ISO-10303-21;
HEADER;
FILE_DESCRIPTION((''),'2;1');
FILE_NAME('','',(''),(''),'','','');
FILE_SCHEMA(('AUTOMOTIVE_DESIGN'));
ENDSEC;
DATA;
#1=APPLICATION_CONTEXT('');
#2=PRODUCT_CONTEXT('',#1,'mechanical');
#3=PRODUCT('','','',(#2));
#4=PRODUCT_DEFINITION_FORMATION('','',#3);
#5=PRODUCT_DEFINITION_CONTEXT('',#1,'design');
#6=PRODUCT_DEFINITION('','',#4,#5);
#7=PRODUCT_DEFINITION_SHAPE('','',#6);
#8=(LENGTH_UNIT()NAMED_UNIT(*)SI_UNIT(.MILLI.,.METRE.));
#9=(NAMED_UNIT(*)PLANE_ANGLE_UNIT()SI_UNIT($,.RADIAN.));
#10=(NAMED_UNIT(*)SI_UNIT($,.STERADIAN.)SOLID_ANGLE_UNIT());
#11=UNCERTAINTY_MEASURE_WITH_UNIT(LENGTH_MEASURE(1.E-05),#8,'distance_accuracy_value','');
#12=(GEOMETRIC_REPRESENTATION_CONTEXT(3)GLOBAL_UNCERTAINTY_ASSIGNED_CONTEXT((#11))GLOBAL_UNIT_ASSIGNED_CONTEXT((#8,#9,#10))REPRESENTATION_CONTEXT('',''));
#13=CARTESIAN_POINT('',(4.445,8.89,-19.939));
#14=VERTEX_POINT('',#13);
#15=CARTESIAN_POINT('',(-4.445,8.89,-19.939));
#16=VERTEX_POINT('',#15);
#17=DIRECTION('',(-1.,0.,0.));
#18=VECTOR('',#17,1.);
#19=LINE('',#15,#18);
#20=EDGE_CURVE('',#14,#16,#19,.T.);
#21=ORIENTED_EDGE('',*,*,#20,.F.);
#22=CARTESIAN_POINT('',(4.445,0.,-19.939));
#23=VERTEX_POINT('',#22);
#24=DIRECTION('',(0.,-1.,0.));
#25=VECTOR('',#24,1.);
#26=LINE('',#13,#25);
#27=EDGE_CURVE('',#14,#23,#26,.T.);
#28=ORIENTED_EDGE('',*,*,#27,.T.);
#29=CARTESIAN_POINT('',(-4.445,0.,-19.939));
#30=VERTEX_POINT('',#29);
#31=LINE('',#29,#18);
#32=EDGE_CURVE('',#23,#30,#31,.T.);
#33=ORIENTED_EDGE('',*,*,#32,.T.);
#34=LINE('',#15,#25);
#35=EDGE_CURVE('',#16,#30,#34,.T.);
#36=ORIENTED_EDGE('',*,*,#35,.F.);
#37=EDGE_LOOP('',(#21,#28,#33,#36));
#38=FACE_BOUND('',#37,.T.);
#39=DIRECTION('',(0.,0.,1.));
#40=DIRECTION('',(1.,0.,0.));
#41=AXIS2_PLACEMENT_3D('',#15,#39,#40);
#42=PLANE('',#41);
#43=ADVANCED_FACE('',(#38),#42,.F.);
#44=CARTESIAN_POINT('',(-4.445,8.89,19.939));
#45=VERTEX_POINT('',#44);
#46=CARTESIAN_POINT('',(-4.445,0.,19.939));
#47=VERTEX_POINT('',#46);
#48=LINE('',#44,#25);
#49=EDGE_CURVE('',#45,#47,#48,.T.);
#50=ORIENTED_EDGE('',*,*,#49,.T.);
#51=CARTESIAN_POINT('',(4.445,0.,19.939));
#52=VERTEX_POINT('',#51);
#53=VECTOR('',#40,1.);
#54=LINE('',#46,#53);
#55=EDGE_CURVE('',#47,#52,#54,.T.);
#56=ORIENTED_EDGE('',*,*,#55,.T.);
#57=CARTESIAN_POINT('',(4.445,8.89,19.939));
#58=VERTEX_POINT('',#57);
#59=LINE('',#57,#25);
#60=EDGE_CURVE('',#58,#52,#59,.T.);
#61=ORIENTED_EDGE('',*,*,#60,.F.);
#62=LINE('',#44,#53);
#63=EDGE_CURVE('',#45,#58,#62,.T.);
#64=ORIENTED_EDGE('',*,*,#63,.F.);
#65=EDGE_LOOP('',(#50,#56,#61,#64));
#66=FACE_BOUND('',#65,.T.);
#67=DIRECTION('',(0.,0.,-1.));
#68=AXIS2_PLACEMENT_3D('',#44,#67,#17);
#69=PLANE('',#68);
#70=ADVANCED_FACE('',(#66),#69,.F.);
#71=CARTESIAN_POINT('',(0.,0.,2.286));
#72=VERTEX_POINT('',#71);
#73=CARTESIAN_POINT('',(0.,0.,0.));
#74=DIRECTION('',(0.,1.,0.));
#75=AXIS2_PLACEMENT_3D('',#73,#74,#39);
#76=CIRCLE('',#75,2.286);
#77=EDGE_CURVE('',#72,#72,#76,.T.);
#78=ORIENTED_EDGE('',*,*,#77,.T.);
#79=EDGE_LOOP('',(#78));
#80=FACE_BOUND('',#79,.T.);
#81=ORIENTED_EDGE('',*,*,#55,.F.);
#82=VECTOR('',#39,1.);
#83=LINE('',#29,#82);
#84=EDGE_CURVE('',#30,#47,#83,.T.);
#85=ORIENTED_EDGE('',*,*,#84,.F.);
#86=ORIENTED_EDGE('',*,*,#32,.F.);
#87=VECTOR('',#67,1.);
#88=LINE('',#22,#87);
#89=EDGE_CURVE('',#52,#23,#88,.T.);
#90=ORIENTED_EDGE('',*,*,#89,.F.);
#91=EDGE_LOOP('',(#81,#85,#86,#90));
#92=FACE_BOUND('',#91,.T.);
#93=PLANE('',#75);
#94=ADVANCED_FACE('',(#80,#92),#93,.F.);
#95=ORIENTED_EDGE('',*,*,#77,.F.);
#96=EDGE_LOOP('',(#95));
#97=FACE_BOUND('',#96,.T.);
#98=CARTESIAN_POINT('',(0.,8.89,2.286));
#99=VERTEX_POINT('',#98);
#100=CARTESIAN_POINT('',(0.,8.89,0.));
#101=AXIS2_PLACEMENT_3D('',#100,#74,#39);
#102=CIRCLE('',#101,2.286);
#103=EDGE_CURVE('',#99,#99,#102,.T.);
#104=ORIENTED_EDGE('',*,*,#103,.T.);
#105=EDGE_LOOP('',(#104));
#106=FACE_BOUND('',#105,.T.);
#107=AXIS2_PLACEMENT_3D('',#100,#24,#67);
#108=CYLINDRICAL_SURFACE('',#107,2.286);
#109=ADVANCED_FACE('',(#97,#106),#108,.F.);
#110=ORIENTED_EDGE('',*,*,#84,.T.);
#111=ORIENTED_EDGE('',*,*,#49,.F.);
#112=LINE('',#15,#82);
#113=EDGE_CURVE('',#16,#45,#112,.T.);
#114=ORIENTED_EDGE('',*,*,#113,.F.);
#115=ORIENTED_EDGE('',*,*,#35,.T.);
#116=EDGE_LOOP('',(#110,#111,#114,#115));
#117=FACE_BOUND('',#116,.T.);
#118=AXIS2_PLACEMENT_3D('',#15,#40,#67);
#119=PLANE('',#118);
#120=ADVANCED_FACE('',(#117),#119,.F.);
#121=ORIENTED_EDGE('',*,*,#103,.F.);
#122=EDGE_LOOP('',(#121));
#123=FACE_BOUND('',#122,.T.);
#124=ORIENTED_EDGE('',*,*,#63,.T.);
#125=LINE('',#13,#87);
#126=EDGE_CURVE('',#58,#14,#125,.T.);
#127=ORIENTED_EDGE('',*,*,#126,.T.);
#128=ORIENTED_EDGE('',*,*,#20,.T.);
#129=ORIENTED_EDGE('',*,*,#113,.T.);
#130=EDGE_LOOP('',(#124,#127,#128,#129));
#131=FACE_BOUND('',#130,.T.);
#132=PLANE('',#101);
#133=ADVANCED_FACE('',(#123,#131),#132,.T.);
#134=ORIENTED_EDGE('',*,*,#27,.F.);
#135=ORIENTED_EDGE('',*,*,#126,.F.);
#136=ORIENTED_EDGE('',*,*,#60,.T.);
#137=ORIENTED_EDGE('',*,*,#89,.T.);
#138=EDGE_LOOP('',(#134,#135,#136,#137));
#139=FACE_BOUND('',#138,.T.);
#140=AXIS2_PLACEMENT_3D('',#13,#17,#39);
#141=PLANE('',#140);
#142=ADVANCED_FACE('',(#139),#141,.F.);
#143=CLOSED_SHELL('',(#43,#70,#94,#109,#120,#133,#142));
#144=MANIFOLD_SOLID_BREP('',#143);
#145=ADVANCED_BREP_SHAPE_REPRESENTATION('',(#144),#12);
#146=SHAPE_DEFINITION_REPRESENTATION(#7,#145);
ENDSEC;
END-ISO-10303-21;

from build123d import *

# Parameters (mm, degrees)
SKETCH1_W           = 8.89
SKETCH1_H           = 39.878
SKETCH1_R           = 2.286
BOSS_EXTRUDE1_DEPTH = 8.89


with BuildPart() as part:
    # Sketch1 → Boss-Extrude1 (new body)
    with BuildSketch(Plane(origin=(0, 0, 0), x_dir=(1, 0, 0), z_dir=(0, 1, 0))):
        Rectangle(SKETCH1_W, SKETCH1_H)
        with Locations(Location((0, 0, 0), (0, 0, 270))):
            Circle(SKETCH1_R, mode=Mode.SUBTRACT)
    extrude(amount=BOSS_EXTRUDE1_DEPTH)


solid = part.part
